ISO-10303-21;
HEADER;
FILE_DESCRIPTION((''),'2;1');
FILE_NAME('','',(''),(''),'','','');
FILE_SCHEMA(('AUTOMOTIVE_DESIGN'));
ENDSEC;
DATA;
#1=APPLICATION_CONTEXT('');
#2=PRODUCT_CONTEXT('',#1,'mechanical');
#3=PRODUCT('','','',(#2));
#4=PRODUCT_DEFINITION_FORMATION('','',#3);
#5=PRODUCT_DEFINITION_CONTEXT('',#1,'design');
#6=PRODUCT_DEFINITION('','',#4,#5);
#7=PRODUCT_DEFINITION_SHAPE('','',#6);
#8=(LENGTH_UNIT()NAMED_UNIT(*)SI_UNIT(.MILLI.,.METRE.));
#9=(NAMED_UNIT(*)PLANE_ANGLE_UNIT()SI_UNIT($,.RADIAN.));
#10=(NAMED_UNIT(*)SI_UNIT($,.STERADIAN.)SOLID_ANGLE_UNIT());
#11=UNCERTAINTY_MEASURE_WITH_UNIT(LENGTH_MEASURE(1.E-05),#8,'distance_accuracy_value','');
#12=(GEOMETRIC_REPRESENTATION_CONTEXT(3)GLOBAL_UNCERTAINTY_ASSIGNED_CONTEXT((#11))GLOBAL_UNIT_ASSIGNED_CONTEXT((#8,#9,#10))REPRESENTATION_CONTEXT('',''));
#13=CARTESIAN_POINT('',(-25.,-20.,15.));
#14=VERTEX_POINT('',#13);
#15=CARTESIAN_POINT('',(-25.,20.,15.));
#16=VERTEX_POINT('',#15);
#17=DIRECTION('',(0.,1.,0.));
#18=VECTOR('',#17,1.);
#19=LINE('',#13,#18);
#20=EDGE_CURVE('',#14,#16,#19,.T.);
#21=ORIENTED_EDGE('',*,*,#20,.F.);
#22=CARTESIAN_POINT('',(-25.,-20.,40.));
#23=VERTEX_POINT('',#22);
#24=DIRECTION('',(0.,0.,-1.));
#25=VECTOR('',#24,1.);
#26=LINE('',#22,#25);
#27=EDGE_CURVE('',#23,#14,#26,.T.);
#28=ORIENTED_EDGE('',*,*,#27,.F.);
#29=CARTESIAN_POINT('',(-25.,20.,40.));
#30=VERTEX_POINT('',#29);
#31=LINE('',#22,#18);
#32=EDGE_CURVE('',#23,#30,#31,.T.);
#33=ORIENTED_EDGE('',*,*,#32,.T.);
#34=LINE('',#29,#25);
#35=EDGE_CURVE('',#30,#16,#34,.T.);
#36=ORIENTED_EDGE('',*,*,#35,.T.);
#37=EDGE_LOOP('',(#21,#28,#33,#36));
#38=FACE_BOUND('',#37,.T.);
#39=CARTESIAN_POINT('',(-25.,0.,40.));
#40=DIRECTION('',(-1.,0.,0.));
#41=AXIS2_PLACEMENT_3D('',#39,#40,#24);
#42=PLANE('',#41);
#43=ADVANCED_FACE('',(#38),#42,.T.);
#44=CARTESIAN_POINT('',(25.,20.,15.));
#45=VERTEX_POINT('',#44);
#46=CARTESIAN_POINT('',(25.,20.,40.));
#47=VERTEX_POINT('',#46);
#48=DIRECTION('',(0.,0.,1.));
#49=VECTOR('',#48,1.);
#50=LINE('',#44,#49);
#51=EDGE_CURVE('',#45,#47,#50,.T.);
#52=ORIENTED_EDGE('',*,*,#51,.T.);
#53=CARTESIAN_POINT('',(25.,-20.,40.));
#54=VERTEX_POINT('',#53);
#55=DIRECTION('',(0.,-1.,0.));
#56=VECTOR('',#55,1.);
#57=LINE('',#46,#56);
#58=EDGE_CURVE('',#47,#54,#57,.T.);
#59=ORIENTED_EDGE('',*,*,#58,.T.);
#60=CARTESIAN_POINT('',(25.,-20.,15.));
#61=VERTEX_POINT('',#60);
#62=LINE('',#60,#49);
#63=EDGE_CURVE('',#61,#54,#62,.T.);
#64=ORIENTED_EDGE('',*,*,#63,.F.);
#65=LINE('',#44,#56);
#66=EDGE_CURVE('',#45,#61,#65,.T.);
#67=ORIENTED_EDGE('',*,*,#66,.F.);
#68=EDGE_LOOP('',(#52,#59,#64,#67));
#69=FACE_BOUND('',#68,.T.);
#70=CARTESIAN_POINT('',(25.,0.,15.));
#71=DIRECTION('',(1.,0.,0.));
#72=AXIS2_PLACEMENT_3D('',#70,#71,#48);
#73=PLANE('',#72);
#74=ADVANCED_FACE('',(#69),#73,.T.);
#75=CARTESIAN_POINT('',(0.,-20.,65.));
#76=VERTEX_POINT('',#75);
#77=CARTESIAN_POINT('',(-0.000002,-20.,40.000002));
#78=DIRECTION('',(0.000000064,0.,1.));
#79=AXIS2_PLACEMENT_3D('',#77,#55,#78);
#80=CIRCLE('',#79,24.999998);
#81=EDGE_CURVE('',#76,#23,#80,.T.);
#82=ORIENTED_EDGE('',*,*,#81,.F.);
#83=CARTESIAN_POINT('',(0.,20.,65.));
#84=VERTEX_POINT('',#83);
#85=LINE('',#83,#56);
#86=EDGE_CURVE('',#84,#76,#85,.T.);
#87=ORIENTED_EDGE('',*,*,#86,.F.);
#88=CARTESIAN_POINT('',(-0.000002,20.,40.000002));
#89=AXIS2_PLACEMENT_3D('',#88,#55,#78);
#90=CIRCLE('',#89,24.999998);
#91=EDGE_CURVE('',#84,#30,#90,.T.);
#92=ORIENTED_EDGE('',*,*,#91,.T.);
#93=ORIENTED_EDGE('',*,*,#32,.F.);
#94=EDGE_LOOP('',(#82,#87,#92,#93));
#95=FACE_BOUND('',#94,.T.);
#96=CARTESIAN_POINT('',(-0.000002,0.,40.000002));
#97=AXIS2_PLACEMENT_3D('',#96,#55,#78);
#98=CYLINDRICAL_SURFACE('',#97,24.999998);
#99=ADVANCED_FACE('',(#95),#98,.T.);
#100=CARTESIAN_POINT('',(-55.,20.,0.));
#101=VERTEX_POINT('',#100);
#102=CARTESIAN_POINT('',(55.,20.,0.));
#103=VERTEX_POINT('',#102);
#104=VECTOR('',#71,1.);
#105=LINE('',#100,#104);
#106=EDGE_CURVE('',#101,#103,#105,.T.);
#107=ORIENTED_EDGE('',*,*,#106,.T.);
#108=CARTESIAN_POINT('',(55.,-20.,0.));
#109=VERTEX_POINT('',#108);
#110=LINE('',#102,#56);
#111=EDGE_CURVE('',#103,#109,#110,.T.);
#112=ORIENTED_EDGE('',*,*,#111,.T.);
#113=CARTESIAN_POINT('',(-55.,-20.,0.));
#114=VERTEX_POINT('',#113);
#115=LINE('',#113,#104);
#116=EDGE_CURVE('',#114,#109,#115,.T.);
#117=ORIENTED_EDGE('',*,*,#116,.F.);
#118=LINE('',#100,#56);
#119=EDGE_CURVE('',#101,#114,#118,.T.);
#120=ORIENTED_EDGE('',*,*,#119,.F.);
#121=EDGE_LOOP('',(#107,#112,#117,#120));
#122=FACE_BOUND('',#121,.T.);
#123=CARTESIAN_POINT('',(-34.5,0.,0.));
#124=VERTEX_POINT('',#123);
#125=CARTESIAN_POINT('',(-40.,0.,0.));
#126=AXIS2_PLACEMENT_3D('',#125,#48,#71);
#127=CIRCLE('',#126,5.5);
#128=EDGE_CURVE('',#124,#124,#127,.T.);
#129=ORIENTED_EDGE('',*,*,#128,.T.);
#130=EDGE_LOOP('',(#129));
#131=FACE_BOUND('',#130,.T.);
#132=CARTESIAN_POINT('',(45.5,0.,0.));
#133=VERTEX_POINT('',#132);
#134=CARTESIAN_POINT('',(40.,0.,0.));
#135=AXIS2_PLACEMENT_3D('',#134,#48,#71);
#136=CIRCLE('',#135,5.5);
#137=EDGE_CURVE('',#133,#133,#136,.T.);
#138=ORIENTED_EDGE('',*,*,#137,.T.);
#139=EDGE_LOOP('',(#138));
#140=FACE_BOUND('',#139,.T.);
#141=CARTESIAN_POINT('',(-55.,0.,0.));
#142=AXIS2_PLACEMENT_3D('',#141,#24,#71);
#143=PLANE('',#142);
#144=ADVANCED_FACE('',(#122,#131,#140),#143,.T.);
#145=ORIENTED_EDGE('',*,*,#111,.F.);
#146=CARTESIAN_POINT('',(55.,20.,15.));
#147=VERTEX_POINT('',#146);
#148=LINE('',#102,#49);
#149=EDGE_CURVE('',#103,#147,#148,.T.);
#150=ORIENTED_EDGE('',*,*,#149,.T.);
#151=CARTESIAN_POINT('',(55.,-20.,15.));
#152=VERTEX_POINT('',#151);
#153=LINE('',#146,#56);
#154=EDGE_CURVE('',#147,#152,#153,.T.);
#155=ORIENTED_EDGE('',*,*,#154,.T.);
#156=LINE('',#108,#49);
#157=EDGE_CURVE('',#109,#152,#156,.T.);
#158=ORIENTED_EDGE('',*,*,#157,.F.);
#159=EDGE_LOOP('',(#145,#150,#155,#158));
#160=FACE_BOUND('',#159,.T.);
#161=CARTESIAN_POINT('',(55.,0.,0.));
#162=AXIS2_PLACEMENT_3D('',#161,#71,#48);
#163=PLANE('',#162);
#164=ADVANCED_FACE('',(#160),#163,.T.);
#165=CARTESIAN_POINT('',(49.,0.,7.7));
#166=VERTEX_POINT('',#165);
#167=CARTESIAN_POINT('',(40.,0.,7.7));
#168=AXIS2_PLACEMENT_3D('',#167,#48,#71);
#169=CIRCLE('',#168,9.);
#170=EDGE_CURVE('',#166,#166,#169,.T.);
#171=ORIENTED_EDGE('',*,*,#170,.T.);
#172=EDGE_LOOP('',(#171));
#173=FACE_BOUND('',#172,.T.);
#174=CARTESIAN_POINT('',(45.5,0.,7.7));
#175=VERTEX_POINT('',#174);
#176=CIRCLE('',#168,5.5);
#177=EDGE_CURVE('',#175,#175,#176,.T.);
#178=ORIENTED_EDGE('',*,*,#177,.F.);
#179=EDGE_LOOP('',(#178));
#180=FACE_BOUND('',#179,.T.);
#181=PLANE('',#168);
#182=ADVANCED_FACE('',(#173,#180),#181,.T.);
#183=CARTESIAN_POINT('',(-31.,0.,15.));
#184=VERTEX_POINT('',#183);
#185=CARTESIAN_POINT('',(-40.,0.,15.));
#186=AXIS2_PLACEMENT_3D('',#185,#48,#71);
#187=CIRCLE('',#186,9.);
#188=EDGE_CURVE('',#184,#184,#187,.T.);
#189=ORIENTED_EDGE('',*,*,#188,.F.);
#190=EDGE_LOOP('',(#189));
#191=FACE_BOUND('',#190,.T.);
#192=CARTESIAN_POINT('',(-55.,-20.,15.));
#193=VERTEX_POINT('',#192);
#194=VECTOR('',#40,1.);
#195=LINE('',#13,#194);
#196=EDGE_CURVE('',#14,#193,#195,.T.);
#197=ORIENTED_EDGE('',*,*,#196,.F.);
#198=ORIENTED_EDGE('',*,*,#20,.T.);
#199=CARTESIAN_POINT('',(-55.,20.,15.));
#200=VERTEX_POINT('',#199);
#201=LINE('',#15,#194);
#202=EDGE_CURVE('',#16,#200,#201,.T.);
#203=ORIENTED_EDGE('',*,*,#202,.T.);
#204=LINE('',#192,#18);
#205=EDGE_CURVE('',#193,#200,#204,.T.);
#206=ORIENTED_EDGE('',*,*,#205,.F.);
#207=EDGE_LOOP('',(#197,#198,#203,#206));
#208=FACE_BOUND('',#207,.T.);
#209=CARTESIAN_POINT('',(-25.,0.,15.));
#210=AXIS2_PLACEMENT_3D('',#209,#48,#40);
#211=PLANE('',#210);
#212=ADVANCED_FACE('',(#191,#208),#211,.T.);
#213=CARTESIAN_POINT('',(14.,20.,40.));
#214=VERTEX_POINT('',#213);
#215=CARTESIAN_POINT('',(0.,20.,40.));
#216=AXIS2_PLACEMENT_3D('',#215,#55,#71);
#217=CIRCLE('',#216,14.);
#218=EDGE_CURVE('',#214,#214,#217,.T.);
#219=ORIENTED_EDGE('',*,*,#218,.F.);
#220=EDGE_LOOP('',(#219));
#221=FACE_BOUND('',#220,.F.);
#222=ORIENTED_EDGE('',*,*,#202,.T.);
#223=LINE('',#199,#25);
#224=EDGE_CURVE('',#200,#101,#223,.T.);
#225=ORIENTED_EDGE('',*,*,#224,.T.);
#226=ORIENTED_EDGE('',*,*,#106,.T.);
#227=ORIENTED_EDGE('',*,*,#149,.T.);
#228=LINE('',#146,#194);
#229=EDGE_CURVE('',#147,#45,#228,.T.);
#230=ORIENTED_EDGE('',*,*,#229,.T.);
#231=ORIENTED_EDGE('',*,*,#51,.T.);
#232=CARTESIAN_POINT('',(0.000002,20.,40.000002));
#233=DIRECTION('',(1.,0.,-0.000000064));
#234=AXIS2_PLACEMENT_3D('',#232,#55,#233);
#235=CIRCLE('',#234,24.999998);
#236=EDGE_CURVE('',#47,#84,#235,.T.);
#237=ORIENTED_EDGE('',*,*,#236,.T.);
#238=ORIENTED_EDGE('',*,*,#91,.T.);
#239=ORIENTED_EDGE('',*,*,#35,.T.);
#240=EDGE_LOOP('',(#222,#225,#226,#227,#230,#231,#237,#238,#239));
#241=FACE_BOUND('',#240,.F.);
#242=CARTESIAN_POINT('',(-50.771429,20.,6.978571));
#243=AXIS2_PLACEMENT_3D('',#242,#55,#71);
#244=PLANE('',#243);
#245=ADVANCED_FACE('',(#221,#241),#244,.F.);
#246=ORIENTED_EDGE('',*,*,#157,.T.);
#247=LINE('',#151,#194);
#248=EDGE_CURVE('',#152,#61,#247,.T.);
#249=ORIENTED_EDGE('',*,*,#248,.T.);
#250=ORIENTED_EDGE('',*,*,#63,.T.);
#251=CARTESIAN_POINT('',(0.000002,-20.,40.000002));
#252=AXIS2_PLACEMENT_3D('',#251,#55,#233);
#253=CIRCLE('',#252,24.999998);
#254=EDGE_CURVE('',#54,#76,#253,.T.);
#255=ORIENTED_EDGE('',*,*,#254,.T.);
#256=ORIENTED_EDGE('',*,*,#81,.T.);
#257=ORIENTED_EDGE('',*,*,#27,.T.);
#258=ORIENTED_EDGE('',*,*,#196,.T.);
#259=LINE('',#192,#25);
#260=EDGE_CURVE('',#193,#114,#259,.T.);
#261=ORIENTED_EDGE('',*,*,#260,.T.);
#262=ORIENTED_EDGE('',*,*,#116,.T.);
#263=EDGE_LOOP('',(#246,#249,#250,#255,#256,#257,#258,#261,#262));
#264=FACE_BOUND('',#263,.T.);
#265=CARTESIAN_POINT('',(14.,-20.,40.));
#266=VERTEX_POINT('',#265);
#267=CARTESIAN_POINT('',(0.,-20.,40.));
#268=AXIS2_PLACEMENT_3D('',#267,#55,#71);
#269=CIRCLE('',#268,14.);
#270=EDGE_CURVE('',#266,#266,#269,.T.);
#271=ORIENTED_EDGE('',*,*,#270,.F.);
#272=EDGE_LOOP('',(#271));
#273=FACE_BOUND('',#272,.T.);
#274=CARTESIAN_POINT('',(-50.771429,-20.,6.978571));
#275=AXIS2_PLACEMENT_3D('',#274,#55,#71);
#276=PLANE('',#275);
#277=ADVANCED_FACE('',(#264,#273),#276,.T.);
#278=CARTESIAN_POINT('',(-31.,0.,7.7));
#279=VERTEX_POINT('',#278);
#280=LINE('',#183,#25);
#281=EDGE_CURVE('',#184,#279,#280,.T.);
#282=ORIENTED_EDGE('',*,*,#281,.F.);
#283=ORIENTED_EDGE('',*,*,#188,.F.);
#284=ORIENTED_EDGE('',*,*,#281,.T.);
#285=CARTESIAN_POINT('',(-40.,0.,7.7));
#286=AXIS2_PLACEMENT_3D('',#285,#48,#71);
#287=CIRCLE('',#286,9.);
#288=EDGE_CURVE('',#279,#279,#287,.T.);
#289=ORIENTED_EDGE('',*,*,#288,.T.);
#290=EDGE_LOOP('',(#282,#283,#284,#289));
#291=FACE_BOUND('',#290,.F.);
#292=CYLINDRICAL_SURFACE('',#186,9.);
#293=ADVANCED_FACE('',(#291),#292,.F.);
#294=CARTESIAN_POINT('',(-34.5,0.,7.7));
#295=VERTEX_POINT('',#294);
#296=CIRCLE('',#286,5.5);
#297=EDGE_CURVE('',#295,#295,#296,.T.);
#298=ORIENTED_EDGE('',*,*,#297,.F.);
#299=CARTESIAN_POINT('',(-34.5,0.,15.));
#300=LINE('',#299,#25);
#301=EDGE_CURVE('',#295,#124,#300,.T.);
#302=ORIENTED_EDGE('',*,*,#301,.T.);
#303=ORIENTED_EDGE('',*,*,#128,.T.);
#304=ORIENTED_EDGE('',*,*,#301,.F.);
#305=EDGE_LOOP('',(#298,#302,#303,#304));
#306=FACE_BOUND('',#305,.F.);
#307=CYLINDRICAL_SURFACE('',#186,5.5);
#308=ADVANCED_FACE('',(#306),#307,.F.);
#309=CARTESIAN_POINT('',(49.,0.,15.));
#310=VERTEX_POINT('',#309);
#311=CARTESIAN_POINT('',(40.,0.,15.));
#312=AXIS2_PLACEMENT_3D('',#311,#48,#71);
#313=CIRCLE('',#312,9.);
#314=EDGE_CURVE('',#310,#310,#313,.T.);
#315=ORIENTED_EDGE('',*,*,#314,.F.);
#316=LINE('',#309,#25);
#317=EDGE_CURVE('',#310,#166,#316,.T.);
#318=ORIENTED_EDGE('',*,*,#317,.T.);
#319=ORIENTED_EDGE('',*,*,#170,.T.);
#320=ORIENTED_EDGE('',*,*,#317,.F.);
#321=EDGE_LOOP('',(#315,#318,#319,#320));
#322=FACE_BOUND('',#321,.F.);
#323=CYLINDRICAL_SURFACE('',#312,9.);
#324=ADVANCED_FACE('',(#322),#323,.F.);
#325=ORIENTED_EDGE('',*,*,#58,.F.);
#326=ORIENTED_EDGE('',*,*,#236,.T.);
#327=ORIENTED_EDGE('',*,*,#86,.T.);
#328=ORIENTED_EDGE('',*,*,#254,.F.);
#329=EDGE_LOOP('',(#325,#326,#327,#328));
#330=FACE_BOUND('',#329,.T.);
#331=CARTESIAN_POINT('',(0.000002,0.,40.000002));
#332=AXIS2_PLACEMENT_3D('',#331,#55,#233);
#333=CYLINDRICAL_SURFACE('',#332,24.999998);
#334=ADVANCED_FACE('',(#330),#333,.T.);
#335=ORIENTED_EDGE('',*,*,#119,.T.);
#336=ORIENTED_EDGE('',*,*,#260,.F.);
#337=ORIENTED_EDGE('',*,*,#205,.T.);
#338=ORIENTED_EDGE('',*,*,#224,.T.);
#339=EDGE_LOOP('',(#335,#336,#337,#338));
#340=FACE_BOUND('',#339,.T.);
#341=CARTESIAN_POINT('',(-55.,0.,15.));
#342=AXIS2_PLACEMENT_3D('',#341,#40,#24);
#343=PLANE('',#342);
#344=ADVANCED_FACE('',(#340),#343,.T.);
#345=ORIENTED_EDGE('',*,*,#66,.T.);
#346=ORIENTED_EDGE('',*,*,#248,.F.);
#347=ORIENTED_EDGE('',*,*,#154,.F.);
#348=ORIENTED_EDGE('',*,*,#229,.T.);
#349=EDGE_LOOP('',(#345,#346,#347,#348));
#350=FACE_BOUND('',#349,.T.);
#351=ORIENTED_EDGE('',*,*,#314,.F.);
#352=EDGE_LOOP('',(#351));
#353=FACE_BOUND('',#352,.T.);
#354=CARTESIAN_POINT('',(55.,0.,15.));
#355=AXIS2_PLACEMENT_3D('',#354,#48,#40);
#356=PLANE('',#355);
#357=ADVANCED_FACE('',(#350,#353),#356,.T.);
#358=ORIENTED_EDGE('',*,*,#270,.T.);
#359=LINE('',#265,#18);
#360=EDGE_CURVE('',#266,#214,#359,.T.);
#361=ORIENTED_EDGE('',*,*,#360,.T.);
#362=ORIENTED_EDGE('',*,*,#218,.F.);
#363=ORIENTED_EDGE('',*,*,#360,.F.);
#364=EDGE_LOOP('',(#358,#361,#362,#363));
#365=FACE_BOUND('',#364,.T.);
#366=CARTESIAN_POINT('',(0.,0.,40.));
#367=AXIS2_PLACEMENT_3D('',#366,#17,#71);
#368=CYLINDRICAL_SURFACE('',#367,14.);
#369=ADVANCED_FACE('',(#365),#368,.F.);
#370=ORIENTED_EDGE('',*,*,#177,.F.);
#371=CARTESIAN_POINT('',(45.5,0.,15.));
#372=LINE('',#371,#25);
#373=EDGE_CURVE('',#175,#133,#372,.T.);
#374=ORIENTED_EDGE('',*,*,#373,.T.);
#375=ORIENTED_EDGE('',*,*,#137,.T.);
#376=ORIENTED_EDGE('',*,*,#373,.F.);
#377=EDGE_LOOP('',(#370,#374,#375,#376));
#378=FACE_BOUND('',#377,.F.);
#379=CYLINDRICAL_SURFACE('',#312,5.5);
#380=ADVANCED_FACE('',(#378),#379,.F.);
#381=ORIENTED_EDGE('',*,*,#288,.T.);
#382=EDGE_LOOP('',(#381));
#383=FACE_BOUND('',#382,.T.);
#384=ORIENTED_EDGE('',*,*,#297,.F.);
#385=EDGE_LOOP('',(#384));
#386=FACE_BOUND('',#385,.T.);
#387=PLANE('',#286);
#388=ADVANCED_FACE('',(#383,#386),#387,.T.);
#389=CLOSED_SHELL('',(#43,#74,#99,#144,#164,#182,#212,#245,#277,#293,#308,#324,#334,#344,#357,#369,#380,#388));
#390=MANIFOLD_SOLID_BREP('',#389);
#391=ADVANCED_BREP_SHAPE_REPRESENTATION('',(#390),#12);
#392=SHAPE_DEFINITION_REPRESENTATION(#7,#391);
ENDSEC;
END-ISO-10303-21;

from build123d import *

# Parameters (mm, degrees)
F0_R      = 14
F0_W      = 11
F0_H      = 7.7
F1_DEPTH  = 20
F2_R      = 9
F2_R_2    = 5.5
F3_DEPTH  = 7.3
F3_FACE_R = 5.5
F4_DEPTH  = 15


with BuildPart() as f1:
    # F0 (on Front) → F1 (new body, symmetric)
    with BuildSketch(Plane.XZ):
        Polygon((-49, 15), (-55, 15), (-55, 0), (-45.5, 0), (-45.5, 7.7), (-49, 7.7), align=None)
        Polygon((-31, 15), (-49, 15), (-49, 7.7), (-45.5, 7.7), (-34.5, 7.7), (-31, 7.7), align=None)
        with BuildLine():
            Line((-25, 15), (-31, 15))
            Line((-31, 15), (-31, 7.7))
            Line((-31, 7.7), (-34.5, 7.7))
            Line((-34.5, 7.7), (-34.5, 0))
            Line((-34.5, 0), (34.5, 0))
            Line((34.5, 0), (34.5, 7.7))
            Line((34.5, 7.7), (31, 7.7))
            Line((31, 7.7), (31, 15))
            Line((31, 15), (25, 15))
            Line((25, 15), (25, 40))
            ThreePointArc((25, 40), (17.67767, 57.67767), (0, 65))
            ThreePointArc((0, 65), (-17.67767, 57.67767), (-25, 40))
            Line((-25, 40), (-25, 15))
        make_face()
        with Locations((0, 40)):
            Circle(F0_R, mode=Mode.SUBTRACT)
        with Locations((-40, 3.85)):
            Rectangle(F0_W, F0_H)
        with Locations((40, 3.85)):
            Rectangle(F0_W, F0_H)
        Polygon((45.5, 7.7), (45.5, 0), (55, 0), (55, 15), (49, 15), (49, 7.7), align=None)
        Polygon((31, 7.7), (34.5, 7.7), (45.5, 7.7), (49, 7.7), (49, 15), (31, 15), align=None)
    extrude(amount=F1_DEPTH, both=True)

    # F2 (on face) → F3 (cut)
    with BuildSketch(Plane.XY.offset(15)):
        with Locations((-40, 0)):
            Circle(F2_R)
        with Locations((-40, 0)):
            Circle(F2_R_2, mode=Mode.SUBTRACT)
        with Locations((40, 0)):
            Circle(F2_R)
        with Locations((40, 0)):
            Circle(F2_R_2, mode=Mode.SUBTRACT)
    extrude(amount=-F3_DEPTH, mode=Mode.SUBTRACT)

    # F3_face (on face) → F4 (cut)
    with BuildSketch(Plane(origin=(-40, 0, 15), x_dir=(1, 0, 0), z_dir=(0, 0, 1))):
        Circle(F3_FACE_R)
        with Locations((80, 0)):
            Circle(F3_FACE_R)
    extrude(amount=-F4_DEPTH, mode=Mode.SUBTRACT)


solid = f1.part
